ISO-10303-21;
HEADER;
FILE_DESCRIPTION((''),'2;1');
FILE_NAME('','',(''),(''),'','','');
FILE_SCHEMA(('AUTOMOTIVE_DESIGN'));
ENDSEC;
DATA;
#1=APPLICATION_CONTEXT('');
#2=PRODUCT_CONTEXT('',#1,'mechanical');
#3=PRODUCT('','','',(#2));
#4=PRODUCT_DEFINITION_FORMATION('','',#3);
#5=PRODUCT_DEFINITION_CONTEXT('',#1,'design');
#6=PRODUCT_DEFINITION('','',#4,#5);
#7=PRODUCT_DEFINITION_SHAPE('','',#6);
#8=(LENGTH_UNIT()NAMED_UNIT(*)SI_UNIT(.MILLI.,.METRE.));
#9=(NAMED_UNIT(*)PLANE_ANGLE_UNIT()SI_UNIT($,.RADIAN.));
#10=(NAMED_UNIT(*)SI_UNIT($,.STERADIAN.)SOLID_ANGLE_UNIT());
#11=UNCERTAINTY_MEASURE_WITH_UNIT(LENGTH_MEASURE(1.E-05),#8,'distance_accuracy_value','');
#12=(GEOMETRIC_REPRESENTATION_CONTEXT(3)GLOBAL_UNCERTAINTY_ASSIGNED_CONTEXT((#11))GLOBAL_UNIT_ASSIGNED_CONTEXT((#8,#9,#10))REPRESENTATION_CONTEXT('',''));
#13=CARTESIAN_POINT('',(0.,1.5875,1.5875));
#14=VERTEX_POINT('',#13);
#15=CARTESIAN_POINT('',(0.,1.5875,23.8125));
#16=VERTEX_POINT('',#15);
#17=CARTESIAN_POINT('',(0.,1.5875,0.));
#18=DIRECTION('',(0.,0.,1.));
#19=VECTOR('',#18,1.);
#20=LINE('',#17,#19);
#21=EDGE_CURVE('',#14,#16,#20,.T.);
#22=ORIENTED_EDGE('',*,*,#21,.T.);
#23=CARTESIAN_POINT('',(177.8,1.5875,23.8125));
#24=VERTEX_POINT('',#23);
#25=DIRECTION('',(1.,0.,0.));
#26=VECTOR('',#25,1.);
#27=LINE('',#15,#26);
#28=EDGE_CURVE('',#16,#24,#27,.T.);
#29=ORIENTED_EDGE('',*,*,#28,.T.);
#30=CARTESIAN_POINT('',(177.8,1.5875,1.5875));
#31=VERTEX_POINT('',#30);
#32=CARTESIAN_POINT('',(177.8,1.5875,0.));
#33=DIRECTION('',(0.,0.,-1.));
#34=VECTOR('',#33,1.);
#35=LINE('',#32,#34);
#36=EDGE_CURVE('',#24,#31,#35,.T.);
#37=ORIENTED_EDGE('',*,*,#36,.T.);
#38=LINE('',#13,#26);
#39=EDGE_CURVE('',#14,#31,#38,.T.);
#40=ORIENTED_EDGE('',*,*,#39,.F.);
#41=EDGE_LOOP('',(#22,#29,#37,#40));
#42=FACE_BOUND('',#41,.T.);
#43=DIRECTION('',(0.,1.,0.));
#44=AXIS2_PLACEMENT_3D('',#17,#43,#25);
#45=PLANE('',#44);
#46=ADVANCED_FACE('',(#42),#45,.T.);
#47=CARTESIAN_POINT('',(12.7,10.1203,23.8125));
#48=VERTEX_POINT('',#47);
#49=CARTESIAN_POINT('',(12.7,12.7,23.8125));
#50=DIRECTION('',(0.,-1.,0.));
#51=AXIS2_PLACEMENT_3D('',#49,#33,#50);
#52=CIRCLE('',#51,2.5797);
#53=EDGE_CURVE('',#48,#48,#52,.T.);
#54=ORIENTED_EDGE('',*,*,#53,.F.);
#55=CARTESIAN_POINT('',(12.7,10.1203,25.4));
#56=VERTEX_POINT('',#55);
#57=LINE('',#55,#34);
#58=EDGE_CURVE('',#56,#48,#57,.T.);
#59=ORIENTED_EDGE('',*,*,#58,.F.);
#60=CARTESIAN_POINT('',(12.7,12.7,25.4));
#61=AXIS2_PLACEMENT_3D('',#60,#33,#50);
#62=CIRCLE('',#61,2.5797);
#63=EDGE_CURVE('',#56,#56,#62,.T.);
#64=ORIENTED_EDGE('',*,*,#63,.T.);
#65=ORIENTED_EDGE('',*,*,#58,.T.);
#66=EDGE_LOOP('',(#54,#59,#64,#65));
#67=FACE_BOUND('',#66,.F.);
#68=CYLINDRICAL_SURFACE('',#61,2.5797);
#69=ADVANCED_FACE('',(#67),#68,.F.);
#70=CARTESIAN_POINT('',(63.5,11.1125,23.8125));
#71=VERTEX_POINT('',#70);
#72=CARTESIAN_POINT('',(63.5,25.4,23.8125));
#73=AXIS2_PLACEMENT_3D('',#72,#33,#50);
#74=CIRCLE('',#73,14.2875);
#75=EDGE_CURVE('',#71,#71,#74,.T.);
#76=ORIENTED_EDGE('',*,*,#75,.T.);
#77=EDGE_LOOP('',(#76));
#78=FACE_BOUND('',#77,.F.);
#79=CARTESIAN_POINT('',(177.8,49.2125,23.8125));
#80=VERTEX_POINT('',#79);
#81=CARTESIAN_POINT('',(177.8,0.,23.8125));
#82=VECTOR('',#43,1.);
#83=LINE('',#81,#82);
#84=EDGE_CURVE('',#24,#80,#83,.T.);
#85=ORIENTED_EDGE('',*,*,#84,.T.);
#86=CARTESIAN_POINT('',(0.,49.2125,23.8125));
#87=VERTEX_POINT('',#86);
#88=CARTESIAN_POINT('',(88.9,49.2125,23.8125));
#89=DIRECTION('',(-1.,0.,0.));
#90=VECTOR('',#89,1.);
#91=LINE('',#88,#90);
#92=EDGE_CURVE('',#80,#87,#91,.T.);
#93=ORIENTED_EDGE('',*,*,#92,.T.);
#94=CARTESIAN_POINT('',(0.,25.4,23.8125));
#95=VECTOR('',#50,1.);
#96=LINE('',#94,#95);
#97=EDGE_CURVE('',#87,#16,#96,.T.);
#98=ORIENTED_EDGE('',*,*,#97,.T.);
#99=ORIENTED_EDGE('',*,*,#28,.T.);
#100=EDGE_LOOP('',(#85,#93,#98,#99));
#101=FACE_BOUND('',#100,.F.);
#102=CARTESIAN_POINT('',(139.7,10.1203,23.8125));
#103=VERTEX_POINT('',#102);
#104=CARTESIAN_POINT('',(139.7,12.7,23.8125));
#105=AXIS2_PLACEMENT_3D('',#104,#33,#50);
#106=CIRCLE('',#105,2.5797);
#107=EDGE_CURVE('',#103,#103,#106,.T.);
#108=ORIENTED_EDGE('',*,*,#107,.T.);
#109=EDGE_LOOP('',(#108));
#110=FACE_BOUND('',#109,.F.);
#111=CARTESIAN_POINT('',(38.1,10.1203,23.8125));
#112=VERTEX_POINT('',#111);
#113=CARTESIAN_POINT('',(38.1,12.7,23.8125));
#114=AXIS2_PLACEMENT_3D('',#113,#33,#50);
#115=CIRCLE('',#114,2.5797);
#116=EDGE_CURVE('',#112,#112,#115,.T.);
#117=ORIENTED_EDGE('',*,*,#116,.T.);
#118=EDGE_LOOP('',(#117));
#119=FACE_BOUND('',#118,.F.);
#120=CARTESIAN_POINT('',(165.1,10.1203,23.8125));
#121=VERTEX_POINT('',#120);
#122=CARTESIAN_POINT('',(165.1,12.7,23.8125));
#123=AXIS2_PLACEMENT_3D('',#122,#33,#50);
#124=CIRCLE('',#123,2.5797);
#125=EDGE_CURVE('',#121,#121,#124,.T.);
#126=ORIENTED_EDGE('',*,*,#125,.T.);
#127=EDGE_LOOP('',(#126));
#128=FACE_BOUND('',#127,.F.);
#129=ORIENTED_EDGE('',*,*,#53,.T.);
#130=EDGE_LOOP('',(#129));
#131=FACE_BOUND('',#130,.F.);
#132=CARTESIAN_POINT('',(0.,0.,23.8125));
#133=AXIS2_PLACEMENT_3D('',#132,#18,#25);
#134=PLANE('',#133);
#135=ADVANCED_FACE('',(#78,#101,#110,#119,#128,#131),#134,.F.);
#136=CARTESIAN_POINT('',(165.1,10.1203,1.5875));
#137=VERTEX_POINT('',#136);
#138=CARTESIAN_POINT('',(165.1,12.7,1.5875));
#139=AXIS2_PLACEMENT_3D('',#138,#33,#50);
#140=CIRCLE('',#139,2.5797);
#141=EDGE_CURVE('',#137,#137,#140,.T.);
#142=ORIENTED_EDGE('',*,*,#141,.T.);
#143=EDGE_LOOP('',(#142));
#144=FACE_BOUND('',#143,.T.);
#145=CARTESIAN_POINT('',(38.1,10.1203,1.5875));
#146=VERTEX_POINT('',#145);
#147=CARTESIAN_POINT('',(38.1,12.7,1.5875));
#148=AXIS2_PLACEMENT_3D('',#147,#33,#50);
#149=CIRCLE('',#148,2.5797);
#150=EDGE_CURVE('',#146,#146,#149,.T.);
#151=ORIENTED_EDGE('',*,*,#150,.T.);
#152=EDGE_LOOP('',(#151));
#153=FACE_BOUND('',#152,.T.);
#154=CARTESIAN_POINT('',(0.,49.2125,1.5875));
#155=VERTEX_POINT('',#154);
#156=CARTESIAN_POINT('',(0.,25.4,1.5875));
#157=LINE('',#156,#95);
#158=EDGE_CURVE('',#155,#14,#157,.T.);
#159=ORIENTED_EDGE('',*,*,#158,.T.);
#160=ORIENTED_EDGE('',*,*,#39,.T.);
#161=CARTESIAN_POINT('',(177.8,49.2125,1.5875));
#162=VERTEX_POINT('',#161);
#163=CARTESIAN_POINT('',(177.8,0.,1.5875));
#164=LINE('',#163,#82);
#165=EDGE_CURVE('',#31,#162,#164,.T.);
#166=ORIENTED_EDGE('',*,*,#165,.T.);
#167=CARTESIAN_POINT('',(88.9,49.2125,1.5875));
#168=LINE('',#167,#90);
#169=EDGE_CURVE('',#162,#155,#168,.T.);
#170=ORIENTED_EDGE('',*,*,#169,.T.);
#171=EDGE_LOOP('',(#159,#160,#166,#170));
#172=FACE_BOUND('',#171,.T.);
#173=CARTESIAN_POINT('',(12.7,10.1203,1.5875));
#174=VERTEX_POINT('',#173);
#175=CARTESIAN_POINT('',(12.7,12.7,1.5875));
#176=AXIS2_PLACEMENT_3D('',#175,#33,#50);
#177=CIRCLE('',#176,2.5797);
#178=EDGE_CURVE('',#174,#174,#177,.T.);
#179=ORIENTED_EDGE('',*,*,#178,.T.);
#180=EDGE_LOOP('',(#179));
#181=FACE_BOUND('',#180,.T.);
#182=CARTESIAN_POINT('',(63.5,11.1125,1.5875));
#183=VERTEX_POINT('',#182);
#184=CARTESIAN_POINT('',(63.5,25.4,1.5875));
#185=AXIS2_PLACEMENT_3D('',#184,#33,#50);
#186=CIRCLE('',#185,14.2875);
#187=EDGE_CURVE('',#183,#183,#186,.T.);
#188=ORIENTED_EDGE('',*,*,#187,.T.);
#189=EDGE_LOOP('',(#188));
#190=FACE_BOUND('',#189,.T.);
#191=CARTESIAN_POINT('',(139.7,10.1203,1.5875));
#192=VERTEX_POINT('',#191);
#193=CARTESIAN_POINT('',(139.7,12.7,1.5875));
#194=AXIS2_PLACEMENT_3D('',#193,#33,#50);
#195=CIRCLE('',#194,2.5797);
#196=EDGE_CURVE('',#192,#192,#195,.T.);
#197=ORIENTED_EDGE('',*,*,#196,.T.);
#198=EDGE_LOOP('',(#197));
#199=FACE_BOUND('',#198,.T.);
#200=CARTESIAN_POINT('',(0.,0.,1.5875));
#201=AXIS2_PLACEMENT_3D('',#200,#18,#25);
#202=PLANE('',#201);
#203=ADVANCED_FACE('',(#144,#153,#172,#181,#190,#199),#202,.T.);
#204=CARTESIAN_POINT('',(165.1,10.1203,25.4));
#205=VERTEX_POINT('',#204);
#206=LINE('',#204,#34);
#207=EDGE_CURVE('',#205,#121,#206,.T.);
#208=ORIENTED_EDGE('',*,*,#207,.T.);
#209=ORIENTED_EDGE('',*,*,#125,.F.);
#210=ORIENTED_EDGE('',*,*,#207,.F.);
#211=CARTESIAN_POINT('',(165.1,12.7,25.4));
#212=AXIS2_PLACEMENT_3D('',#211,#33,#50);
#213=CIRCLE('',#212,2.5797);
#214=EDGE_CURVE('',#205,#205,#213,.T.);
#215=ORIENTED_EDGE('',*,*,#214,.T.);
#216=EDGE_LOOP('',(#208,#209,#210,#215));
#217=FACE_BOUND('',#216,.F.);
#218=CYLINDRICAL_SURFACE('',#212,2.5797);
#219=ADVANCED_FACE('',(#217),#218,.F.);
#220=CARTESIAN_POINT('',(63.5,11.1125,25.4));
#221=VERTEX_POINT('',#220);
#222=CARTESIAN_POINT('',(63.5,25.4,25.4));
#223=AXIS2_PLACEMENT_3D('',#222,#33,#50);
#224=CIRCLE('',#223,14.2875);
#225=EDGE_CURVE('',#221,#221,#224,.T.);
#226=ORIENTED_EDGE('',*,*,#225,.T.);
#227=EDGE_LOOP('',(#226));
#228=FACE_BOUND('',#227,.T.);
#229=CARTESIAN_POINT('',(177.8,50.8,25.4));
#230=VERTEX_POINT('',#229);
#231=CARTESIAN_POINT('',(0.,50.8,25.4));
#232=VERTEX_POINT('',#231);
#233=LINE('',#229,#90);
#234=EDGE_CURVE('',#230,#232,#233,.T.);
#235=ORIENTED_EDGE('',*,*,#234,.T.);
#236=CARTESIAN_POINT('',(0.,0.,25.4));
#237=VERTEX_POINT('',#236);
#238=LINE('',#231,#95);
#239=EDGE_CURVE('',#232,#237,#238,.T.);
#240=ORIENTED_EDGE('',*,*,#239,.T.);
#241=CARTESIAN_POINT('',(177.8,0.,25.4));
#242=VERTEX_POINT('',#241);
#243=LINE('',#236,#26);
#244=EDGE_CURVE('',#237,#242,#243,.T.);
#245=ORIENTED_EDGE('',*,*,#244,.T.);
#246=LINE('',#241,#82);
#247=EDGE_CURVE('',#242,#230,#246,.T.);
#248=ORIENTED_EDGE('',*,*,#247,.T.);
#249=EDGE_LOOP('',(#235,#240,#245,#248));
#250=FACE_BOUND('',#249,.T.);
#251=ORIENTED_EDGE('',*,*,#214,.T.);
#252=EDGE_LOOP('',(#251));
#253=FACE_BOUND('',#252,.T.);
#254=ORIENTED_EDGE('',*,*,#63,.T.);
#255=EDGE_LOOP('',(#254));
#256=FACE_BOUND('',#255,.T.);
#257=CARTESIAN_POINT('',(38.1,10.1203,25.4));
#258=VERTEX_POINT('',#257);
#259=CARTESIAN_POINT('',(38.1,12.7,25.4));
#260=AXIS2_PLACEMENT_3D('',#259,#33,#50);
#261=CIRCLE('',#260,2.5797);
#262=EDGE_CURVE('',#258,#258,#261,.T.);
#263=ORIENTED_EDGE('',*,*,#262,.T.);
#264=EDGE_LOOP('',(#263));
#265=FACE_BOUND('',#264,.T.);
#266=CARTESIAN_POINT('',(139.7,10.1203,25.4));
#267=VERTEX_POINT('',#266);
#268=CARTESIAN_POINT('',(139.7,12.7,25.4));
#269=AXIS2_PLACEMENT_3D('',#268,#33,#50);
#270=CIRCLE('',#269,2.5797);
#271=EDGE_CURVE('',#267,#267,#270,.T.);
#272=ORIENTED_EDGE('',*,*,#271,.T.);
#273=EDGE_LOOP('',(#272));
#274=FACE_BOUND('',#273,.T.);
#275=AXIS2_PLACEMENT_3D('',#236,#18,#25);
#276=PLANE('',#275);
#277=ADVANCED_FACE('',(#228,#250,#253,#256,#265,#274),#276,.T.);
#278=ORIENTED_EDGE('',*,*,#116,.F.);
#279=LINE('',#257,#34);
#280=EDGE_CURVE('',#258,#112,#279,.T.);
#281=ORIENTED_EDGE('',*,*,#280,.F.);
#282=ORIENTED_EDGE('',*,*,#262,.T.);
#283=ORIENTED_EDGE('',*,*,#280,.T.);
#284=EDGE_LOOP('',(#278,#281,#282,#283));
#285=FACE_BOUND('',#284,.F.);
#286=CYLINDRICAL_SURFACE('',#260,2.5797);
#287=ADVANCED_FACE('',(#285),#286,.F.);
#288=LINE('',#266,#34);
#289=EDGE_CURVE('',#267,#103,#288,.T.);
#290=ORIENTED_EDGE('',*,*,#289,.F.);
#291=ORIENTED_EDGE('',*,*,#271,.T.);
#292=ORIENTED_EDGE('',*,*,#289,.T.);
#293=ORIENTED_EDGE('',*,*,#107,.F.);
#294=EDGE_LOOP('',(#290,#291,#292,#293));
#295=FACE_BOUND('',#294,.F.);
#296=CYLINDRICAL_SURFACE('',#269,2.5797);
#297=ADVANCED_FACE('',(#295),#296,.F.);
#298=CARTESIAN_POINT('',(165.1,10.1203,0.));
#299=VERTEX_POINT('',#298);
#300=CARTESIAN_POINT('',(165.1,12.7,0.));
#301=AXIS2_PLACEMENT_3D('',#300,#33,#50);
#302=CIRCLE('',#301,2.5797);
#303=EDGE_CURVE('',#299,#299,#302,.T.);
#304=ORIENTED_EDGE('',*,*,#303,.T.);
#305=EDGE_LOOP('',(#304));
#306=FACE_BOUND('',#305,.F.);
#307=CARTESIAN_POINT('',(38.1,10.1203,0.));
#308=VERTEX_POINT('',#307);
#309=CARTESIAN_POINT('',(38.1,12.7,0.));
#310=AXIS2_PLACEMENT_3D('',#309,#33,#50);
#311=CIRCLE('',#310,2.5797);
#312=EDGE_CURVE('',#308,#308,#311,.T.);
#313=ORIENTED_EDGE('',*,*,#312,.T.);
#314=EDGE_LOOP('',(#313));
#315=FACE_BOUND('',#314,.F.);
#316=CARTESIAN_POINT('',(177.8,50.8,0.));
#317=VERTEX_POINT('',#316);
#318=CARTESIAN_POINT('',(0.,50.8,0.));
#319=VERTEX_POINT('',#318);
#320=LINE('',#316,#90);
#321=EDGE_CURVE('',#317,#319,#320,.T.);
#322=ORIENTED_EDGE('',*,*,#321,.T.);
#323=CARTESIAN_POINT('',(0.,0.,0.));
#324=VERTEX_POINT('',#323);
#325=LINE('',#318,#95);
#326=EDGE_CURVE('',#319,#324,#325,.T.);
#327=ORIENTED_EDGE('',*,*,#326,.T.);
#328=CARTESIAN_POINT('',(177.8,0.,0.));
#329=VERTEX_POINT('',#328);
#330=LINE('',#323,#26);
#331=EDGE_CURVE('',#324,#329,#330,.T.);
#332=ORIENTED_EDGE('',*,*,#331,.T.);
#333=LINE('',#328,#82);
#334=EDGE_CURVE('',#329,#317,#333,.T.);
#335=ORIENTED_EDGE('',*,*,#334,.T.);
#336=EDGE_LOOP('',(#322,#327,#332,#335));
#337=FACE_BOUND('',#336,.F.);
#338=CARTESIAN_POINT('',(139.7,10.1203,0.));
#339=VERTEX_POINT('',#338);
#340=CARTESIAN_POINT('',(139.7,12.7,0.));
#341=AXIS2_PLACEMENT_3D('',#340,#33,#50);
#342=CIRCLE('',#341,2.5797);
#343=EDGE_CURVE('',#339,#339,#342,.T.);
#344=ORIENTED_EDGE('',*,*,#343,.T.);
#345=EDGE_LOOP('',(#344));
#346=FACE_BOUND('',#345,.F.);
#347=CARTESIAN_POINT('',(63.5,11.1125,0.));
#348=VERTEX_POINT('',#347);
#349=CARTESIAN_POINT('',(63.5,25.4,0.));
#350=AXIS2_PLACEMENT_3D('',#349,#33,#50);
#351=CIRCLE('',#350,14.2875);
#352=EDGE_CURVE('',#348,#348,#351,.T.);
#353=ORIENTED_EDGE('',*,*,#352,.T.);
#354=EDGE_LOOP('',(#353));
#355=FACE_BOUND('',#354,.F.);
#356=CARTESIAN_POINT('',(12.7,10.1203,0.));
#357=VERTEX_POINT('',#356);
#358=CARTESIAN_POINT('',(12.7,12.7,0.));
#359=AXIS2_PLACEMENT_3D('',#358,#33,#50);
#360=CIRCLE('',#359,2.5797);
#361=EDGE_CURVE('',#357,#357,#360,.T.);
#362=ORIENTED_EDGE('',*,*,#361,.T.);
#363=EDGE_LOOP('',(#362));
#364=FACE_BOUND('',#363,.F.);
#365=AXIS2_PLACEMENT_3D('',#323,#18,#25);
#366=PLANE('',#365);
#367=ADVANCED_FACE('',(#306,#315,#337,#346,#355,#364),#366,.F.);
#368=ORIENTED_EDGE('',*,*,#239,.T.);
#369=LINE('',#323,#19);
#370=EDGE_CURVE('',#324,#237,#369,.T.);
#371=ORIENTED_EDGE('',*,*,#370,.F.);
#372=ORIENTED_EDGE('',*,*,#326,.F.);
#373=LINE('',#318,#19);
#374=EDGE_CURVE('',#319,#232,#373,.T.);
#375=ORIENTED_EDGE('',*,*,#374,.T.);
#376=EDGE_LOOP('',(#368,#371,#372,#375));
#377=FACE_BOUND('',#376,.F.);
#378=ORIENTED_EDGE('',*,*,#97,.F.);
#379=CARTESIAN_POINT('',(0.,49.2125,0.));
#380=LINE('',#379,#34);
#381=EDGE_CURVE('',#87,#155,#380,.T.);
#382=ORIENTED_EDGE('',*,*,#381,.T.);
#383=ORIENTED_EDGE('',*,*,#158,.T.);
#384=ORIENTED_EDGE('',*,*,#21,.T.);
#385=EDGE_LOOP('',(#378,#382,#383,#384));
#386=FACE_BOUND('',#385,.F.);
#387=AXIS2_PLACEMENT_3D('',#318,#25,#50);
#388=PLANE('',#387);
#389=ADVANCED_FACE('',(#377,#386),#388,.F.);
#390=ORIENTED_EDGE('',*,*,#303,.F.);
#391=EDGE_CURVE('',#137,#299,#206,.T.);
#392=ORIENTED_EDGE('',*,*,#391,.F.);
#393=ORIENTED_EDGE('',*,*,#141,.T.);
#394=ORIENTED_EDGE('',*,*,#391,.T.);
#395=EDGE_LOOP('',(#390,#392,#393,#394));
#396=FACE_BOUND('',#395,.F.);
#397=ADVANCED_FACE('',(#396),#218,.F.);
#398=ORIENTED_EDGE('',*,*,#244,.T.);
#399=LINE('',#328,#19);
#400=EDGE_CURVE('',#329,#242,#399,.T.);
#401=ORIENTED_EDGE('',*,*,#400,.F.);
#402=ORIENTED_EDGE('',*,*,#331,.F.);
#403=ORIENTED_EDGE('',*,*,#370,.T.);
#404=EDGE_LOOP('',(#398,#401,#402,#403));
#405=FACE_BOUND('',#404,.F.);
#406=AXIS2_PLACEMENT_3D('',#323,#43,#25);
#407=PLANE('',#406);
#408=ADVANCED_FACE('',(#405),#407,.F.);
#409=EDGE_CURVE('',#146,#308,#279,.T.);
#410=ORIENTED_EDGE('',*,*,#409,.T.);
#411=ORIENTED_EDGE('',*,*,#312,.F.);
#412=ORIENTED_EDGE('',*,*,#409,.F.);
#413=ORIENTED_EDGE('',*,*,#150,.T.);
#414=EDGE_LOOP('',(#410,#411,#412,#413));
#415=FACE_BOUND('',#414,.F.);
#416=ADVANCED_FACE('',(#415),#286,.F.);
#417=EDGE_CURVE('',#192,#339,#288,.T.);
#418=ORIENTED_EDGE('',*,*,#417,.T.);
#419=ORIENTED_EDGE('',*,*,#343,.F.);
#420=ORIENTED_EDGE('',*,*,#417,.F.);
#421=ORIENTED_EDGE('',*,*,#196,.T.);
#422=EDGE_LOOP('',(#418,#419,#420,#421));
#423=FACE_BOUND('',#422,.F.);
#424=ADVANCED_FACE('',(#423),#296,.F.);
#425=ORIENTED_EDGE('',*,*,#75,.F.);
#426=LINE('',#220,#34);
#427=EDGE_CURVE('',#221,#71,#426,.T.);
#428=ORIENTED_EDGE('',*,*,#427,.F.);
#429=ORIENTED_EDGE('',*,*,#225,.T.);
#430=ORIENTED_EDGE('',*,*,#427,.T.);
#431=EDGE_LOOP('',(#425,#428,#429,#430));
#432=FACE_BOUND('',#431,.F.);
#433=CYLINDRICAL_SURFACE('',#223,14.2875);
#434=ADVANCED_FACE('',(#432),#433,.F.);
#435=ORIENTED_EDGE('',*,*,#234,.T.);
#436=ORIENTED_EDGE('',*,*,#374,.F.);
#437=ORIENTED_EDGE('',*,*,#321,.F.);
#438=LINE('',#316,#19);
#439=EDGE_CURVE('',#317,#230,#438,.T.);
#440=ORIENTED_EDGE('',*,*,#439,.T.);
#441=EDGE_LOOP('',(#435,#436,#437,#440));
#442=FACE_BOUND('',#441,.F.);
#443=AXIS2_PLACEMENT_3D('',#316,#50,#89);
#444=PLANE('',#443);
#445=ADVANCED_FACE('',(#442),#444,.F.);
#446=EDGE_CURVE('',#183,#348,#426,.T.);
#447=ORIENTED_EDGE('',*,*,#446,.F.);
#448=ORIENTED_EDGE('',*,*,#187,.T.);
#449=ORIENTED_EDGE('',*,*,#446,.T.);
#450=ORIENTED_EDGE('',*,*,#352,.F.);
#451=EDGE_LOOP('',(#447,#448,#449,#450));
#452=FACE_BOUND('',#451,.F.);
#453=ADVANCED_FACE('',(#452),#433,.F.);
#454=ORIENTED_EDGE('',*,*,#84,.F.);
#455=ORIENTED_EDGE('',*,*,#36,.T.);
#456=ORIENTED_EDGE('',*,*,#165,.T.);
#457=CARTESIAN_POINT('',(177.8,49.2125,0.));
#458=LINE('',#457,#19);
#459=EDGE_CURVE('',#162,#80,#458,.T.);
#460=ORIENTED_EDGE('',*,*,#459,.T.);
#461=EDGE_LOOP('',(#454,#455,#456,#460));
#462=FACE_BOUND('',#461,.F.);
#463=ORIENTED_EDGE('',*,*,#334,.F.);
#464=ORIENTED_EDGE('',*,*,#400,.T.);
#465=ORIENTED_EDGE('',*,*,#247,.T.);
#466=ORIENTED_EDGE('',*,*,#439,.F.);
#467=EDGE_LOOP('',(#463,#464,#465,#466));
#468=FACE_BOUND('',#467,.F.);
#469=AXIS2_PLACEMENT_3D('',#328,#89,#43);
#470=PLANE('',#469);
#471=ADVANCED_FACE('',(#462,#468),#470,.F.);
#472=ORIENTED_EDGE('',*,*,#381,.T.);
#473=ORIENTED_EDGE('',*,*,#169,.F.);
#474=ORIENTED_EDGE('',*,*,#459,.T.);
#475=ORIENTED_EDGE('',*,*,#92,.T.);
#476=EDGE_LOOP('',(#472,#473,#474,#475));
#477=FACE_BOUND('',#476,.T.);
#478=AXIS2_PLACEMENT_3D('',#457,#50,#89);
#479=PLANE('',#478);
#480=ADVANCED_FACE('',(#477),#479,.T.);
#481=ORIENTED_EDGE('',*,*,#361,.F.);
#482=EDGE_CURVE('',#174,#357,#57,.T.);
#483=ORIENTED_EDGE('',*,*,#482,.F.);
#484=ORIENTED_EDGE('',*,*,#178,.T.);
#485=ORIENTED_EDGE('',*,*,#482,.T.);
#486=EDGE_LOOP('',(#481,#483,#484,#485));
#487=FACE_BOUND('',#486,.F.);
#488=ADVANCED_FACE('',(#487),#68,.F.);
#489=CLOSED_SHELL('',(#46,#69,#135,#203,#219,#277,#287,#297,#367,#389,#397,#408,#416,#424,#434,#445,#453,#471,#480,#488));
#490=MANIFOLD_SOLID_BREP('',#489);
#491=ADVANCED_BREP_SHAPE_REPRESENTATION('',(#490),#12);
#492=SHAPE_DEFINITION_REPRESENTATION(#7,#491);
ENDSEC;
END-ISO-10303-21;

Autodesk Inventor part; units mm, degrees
ref_plane "YZ Plane" through (0, 0, 0) normal (1, 0, 0) x (0, 1, 0)
ref_plane "XZ Plane" through (0, 0, 0) normal (0, 1, 0) x (-1, 0, 0)
ref_plane "XY Plane" through (0, 0, 0) normal (0, 0, 1) x (1, 0, 0)
sketch "Sketch1" plane through (0, 0, 0) normal (0, 0, 1) x (1, 0, 0)
  line L0 (0, 0) -> (177.8, 0)
  line L1 (177.8, 0) -> (177.8, 50.8)
  line L2 (177.8, 50.8) -> (0, 50.8)
  line L3 (0, 50.8) -> (0, 0)
  dimension "d0" = 177.8
  dimension "d1" = 50.8
extrude "Extrusion1" add sketch "Sketch1" along normal blind 25.4
shell "Shell1" thickness 1.5875 removed faces 2 at (0, 33.8667, 16.9333) at (177.8, 16.9333, 16.9333)
sketch "Sketch2" plane through (0, 0, 25.4) normal (0, 0, 1) x (1, 0, 0)
  line L0 (0, 0) -> (63.5, 0) construction
  line L1 (63.5, 0) -> (63.5, 25.4) construction
  line L2 (63.5, 25.4) -> (0, 25.4) construction
  line L3 (0, 25.4) -> (0, 0) construction
  dimension "d5" = 63.5
  dimension "d13" = 25.4
hole "Hole1" at (63.5, 25.4, 25.4) direction (0, 0, -1) diameter 28.575 end through all
hole "Hole2" at (12.7, 12.7, 25.4) direction (0, 0, -1) diameter 5.1594 end through all
hole "Hole3" at (38.1, 12.7, 25.4) direction (0, 0, -1) diameter 5.1594 end through all
hole "Hole4" at (165.1, 12.7, 25.4) direction (0, 0, -1) diameter 5.1594 end through all
hole "Hole5" at (139.7, 12.7, 25.4) direction (0, 0, -1) diameter 5.1594 end through all
properties part number "1x2 5 in Beam Flywheel Mount"
